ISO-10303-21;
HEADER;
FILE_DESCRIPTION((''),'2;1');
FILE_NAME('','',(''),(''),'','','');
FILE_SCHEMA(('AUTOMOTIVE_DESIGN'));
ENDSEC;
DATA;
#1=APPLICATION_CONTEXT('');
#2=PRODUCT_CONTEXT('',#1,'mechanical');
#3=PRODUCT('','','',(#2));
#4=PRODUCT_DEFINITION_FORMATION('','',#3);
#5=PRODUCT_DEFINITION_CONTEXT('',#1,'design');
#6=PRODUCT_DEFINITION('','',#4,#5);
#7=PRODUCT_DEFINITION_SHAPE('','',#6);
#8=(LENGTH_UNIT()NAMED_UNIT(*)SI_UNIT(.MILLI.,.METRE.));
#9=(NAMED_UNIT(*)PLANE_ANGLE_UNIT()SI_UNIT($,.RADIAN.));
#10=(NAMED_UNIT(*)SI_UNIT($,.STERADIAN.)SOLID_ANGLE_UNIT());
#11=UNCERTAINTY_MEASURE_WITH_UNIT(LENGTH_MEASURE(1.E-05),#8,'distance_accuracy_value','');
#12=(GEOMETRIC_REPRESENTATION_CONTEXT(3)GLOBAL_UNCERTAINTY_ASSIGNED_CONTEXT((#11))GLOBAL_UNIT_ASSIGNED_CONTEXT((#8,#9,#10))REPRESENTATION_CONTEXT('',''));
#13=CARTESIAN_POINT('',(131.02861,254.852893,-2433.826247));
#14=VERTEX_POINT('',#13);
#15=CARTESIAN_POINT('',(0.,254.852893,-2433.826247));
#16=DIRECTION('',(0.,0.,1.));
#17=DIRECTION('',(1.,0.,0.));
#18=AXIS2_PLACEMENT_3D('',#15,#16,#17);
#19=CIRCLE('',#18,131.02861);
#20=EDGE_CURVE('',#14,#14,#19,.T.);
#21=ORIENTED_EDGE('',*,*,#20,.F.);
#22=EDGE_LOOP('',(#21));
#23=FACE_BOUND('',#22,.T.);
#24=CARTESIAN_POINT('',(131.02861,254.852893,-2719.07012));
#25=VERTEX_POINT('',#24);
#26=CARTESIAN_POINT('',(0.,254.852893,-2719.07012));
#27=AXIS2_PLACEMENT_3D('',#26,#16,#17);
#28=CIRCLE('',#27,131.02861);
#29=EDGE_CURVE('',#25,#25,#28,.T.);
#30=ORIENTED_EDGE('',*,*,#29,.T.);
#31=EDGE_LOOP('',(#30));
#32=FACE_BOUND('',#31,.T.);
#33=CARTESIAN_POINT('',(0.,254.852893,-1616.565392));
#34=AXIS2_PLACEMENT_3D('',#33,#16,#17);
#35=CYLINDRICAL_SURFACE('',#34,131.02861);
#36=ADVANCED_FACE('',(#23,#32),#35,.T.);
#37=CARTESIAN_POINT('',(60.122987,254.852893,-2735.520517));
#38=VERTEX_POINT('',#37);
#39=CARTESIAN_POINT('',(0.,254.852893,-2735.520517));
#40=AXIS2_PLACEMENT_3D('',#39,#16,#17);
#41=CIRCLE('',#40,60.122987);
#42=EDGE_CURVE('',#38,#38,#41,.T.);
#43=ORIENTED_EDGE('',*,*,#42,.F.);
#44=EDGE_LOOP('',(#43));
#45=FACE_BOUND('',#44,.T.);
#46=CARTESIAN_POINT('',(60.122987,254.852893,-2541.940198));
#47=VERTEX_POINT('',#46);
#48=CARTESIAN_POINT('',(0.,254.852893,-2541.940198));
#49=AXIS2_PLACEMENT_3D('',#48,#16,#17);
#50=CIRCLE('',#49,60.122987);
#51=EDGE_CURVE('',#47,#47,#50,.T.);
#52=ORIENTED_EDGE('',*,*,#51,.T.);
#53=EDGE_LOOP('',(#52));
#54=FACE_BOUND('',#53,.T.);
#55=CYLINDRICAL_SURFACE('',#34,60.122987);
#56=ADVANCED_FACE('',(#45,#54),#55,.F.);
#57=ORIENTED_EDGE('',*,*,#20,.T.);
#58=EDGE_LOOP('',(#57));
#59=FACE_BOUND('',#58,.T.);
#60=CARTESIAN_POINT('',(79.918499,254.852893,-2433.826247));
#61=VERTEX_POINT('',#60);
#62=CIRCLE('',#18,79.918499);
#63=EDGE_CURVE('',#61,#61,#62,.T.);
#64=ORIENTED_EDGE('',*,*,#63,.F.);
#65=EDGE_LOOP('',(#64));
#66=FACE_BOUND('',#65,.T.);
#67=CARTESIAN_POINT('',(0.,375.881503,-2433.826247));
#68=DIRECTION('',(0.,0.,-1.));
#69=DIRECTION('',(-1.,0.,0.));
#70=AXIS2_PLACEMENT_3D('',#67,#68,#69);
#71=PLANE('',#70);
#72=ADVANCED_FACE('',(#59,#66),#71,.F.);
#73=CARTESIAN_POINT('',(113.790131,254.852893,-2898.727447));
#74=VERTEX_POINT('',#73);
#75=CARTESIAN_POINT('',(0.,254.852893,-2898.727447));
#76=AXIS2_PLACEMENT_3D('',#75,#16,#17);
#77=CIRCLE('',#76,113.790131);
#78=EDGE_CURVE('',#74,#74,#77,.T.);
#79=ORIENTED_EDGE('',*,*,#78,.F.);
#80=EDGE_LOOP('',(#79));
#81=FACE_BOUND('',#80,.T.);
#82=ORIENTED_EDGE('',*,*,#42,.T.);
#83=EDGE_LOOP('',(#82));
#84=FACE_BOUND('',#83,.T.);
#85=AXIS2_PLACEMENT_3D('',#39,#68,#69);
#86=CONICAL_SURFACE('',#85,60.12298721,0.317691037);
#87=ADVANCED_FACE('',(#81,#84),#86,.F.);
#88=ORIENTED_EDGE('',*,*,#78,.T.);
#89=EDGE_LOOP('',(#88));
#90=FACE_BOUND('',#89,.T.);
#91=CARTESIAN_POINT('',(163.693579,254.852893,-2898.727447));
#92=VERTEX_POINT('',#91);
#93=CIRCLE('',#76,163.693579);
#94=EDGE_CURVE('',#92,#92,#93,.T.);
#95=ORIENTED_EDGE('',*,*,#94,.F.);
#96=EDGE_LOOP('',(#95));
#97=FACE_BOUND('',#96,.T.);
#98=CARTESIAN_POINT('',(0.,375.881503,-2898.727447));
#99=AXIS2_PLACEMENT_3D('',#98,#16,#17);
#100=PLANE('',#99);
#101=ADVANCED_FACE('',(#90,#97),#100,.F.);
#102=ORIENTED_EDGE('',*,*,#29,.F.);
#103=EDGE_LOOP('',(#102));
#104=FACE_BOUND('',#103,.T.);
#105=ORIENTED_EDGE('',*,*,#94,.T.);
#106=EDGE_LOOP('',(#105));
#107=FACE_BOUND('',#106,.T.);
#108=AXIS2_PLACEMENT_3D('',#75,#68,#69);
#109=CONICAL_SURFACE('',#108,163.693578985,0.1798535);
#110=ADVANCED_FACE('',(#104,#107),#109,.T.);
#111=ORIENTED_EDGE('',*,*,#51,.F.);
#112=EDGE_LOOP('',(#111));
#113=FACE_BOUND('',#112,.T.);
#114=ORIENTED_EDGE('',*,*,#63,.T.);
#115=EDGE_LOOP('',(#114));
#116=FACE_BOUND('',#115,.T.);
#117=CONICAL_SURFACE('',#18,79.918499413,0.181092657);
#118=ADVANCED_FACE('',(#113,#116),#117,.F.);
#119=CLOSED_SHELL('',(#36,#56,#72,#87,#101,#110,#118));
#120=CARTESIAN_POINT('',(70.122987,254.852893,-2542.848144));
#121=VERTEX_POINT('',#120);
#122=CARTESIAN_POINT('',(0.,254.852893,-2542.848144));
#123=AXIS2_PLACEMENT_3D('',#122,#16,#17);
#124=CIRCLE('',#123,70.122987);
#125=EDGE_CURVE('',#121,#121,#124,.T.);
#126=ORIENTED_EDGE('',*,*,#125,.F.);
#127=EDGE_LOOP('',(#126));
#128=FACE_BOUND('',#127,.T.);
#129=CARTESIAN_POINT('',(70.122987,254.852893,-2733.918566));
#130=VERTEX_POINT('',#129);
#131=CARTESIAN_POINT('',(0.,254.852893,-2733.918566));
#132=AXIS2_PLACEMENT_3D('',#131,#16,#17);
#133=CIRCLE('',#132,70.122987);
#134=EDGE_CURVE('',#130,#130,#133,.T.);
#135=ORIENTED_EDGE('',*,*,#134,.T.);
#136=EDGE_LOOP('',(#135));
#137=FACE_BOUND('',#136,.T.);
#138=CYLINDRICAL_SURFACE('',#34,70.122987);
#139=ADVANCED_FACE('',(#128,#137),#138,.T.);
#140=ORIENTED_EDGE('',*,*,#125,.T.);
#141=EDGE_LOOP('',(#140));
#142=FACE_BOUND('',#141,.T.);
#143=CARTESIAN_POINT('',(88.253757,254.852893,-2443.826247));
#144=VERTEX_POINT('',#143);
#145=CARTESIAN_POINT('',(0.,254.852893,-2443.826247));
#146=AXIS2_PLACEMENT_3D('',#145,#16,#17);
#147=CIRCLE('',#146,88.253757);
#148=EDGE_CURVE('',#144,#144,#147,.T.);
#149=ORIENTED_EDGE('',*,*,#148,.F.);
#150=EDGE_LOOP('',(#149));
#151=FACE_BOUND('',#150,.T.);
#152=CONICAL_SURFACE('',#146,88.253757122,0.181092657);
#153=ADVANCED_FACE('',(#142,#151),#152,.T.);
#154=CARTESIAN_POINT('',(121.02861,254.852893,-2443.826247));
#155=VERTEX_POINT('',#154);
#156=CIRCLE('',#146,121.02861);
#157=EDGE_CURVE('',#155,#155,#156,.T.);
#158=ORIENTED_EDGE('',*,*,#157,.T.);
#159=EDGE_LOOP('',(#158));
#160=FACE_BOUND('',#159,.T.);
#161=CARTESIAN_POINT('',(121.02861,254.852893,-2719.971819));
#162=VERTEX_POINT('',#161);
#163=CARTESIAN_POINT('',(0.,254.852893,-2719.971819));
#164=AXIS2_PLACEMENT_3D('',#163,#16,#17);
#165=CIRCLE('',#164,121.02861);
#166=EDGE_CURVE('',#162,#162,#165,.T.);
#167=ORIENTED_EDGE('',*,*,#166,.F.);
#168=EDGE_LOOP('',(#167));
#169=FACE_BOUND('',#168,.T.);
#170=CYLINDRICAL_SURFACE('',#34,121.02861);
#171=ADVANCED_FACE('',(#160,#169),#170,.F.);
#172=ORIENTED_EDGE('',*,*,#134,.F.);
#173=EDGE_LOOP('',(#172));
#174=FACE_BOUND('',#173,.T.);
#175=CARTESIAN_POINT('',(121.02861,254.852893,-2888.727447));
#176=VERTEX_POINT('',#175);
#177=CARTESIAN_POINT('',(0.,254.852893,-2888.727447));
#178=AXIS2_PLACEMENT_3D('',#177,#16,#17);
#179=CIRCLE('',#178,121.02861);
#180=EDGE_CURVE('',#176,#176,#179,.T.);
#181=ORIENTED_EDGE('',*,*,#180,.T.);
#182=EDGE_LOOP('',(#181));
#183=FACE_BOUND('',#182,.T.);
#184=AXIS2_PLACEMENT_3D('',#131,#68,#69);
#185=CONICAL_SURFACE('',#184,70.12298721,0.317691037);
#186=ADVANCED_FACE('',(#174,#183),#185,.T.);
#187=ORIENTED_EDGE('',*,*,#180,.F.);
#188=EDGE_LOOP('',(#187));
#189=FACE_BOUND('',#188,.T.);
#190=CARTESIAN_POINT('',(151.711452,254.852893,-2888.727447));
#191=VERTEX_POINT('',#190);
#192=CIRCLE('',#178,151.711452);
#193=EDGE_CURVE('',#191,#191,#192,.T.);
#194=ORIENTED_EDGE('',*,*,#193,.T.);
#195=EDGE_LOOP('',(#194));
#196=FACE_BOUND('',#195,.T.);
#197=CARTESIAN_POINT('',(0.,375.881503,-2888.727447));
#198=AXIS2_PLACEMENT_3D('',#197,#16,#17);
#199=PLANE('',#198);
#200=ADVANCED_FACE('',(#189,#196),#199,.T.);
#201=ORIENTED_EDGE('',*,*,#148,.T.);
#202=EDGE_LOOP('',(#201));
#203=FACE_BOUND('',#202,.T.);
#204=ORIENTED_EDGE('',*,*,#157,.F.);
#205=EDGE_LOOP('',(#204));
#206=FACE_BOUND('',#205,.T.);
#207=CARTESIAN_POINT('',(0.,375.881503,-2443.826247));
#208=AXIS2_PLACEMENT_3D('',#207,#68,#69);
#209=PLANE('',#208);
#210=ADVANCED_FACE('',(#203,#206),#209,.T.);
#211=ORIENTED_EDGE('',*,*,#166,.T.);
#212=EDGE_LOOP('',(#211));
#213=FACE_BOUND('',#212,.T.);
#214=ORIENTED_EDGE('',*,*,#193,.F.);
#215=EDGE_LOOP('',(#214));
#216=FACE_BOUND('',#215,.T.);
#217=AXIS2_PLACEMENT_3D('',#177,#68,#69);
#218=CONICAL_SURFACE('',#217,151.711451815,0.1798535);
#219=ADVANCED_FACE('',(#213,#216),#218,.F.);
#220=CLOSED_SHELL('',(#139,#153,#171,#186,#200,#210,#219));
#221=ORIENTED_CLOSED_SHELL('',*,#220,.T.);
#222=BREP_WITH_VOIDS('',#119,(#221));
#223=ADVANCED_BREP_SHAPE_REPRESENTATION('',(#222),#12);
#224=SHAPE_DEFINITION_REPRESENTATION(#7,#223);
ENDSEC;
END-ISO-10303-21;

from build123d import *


with BuildPart() as part:
    # Sketch1 → Revolve-Thin1 (revolve)
    with BuildSketch(Plane(origin=(0, 0, 0), x_dir=(0, 0, -1), z_dir=(1, 0, 0))):
        Polygon((2433.826246914, 385.88150306), (2433.826246914, 334.771392049), (2541.94019818, 314.975879845), (2735.520516837, 314.975879845), (2898.727447068, 368.64302357), (2898.727447068, 418.546471621), (2719.070119986, 385.88150306), align=None)
        Polygon((2443.826246914, 375.88150306), (2443.826246914, 343.106649757), (2542.848144127, 324.975879845), (2733.918565509, 324.975879845), (2888.727447068, 375.88150306), (2888.727447068, 406.56434445), (2719.971819423, 375.88150306), align=None, mode=Mode.SUBTRACT)
    revolve(axis=Axis((0, 254.852892636, -1616.565391775), (0, 0, -1)))


solid = part.part
